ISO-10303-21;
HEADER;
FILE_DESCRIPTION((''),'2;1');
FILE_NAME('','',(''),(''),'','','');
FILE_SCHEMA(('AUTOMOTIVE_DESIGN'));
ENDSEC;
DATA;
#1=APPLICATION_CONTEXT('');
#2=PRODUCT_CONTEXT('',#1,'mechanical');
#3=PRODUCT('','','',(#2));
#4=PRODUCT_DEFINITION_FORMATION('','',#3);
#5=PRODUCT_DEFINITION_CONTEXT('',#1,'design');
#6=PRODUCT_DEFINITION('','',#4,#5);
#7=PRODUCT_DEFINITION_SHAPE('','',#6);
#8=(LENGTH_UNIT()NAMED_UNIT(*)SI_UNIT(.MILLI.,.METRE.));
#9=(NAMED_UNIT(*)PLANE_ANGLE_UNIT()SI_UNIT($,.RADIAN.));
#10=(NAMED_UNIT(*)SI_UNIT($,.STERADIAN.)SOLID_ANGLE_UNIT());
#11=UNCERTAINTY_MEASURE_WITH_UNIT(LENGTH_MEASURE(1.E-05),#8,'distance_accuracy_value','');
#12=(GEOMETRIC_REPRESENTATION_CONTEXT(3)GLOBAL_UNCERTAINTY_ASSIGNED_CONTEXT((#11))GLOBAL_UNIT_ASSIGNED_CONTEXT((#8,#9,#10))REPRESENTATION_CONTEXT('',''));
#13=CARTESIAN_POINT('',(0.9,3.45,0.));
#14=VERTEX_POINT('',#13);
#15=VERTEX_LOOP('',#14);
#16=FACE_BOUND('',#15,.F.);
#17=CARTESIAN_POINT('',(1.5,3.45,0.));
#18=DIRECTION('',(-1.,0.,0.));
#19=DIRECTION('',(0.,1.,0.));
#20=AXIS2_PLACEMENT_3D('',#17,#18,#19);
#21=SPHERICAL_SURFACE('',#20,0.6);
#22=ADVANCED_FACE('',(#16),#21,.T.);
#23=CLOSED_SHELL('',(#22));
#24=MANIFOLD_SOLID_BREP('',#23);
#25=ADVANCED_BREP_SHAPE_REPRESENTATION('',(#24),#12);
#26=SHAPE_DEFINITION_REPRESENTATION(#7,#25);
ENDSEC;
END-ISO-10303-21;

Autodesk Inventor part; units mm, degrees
ref_plane "YZ Plane" through (0, 0, 0) normal (1, 0, 0) x (0, 1, 0)
ref_plane "XZ Plane" through (0, 0, 0) normal (0, 1, 0) x (-1, 0, 0)
ref_plane "XY Plane" through (0, 0, 0) normal (0, 0, 1) x (1, 0, 0)
sketch "Sketch_6" plane through (0, 0, 0) normal (0, 0, 1) x (1, 0, 0)
  line L0 (2.1, 3.45) -> (0.9, 3.45)
  arc A0 (2.1, 3.45) -> (0.9, 3.45) centre (1.5, 3.45) ccw
  line L1 (2.1, 3.45) -> (0.9, 3.45)
  dimension "d0" = 360
revolve "Revolution1" add sketch "Sketch_6" angle 360 about axis through (2.1, 3.45, 0) along (1, 0, 0)
properties part number "W 637/5 X-2Z_PART3"
